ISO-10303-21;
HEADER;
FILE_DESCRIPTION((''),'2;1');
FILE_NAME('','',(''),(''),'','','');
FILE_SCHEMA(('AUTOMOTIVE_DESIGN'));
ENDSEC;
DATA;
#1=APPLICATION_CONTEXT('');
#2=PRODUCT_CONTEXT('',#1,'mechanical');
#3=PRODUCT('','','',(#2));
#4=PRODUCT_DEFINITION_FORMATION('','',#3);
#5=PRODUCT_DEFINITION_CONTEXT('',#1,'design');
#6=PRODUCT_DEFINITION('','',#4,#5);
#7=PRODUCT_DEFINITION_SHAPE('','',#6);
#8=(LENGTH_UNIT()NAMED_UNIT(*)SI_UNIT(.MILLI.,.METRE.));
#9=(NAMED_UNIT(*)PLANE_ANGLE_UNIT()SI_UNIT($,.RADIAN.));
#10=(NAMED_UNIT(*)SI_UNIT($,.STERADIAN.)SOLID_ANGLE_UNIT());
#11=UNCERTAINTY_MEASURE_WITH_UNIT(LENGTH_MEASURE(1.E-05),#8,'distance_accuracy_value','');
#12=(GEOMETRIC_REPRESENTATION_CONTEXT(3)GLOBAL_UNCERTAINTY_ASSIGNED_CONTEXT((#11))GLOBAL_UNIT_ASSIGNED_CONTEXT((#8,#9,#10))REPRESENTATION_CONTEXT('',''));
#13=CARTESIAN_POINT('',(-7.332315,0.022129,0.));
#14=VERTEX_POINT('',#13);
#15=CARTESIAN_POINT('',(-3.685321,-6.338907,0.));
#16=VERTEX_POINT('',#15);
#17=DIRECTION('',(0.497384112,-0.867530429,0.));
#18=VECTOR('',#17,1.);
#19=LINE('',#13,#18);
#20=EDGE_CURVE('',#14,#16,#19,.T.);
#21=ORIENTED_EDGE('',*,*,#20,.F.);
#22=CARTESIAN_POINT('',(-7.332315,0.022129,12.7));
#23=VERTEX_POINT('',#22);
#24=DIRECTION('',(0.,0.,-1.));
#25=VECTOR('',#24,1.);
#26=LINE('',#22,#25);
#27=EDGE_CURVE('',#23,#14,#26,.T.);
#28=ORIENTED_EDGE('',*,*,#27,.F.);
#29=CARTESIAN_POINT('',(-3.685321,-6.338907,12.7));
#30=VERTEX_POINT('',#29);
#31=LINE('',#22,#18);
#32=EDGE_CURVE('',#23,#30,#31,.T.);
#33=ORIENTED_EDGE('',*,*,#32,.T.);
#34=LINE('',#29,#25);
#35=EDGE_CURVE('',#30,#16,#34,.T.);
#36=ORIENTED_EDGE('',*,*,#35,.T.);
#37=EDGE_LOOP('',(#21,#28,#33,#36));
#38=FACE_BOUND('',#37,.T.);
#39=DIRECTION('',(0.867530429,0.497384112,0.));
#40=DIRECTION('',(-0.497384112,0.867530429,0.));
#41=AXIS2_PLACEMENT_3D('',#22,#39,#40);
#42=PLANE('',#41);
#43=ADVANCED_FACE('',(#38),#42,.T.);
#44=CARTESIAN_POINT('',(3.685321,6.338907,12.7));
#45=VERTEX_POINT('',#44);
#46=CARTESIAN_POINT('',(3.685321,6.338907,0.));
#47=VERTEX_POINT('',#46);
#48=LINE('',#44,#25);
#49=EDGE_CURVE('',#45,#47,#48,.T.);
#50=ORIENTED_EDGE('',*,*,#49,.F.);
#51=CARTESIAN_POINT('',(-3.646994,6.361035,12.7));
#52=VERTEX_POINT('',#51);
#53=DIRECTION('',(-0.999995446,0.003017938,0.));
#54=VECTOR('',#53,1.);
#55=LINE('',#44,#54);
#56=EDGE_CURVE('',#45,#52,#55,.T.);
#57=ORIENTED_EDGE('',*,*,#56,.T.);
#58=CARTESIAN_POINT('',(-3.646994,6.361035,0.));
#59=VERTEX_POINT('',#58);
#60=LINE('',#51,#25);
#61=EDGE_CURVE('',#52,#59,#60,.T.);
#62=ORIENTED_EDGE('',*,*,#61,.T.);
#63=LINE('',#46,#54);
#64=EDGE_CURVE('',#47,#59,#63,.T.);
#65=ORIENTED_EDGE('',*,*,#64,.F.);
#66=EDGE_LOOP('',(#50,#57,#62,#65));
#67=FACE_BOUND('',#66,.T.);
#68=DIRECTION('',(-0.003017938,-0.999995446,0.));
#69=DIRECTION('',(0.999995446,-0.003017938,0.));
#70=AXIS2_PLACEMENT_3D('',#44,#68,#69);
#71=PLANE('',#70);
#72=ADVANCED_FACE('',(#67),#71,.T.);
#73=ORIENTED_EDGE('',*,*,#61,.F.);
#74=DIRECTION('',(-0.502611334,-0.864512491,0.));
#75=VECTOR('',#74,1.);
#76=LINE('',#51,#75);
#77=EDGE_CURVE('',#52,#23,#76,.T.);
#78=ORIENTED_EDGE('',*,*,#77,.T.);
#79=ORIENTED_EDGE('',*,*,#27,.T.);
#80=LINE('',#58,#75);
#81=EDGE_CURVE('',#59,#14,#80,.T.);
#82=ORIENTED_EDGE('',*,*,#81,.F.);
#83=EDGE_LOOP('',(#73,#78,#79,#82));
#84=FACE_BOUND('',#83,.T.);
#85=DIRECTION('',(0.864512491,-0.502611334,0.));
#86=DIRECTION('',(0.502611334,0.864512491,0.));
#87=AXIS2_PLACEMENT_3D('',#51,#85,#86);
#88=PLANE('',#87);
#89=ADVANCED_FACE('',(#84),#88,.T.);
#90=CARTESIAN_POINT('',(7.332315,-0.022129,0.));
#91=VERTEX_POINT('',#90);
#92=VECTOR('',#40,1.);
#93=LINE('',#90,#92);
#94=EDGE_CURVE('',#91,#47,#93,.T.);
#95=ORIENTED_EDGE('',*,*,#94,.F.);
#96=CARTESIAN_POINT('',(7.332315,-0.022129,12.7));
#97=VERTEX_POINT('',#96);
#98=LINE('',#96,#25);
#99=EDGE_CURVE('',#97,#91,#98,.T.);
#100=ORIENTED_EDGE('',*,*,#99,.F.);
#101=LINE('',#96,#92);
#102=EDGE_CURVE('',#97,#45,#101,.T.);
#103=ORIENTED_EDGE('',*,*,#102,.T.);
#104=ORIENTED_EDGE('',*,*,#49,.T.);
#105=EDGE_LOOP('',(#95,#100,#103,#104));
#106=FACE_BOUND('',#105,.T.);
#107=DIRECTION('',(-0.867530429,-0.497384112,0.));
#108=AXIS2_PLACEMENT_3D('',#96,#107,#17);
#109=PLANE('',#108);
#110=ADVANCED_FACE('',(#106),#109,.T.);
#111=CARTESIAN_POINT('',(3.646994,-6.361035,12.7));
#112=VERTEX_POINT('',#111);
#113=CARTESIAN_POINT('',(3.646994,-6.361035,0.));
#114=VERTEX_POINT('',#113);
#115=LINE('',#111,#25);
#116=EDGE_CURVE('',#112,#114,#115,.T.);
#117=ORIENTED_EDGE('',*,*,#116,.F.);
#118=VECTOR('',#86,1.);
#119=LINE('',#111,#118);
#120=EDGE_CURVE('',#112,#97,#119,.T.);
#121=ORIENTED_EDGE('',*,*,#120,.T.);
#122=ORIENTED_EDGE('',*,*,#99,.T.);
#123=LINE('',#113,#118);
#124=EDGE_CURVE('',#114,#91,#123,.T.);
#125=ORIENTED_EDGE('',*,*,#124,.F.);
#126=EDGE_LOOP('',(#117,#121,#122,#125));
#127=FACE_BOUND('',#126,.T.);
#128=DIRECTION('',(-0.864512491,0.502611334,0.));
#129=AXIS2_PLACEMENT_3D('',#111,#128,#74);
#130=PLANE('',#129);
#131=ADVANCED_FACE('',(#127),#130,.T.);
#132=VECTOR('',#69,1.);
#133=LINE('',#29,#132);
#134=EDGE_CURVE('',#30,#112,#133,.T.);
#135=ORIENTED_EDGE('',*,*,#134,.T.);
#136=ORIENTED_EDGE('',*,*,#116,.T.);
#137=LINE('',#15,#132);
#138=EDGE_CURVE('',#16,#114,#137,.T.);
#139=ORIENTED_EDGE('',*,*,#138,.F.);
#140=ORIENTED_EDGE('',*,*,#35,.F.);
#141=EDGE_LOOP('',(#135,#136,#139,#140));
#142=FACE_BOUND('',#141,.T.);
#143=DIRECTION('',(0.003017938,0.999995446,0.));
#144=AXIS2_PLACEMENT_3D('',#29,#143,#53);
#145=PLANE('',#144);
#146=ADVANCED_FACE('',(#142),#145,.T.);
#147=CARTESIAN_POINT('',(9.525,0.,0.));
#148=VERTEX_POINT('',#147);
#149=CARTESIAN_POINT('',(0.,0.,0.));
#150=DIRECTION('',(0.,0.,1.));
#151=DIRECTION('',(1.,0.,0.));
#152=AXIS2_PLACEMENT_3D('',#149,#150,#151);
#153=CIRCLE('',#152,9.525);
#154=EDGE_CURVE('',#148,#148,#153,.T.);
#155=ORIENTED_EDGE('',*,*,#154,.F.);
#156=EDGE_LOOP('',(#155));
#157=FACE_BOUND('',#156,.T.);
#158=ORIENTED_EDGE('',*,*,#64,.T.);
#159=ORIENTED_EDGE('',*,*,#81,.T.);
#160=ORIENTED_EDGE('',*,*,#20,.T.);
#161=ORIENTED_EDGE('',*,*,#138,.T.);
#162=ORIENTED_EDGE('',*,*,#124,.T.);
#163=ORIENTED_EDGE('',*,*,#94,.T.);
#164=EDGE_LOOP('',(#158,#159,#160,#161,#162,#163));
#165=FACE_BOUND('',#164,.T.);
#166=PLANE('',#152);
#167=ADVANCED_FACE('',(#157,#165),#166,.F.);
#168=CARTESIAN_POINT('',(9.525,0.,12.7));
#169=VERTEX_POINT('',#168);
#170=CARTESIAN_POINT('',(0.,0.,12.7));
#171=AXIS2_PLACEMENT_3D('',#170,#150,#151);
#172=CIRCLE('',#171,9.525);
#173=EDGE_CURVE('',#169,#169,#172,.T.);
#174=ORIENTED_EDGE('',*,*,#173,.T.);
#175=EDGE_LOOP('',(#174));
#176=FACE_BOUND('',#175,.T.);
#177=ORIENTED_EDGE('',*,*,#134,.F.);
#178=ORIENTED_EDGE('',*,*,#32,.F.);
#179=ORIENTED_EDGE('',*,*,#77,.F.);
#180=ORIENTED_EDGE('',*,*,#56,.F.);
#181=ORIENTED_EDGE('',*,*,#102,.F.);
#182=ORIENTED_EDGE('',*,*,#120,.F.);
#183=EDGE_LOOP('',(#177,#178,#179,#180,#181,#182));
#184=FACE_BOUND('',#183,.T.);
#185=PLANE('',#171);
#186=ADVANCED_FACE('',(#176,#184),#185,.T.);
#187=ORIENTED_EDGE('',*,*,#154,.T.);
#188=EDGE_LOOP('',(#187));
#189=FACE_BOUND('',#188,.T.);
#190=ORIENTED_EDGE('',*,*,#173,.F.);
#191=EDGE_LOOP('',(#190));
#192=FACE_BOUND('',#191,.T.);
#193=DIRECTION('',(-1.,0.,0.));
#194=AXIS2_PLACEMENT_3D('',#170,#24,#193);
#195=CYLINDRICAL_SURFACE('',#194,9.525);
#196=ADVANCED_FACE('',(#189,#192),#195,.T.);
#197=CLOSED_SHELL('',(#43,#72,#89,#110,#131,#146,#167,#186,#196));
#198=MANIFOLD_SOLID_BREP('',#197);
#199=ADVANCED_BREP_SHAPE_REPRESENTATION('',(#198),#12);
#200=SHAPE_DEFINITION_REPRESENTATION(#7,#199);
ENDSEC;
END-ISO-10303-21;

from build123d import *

# Parameters (mm, degrees)
SKETCH1_R           = 9.525
BOSS_EXTRUDE1_DEPTH = 12.7


with BuildPart() as part:
    # Sketch1 → Boss-Extrude1 (new body)
    with BuildSketch(Plane.XY):
        Circle(SKETCH1_R)
        Polygon((3.64699361, -6.361035367), (7.332315027, -0.022128569), (3.685321417, 6.338906797), (-3.64699361, 6.361035367), (-7.332315027, 0.022128569), (-3.685321417, -6.338906797), align=None, mode=Mode.SUBTRACT)
    extrude(amount=BOSS_EXTRUDE1_DEPTH)


solid = part.part
